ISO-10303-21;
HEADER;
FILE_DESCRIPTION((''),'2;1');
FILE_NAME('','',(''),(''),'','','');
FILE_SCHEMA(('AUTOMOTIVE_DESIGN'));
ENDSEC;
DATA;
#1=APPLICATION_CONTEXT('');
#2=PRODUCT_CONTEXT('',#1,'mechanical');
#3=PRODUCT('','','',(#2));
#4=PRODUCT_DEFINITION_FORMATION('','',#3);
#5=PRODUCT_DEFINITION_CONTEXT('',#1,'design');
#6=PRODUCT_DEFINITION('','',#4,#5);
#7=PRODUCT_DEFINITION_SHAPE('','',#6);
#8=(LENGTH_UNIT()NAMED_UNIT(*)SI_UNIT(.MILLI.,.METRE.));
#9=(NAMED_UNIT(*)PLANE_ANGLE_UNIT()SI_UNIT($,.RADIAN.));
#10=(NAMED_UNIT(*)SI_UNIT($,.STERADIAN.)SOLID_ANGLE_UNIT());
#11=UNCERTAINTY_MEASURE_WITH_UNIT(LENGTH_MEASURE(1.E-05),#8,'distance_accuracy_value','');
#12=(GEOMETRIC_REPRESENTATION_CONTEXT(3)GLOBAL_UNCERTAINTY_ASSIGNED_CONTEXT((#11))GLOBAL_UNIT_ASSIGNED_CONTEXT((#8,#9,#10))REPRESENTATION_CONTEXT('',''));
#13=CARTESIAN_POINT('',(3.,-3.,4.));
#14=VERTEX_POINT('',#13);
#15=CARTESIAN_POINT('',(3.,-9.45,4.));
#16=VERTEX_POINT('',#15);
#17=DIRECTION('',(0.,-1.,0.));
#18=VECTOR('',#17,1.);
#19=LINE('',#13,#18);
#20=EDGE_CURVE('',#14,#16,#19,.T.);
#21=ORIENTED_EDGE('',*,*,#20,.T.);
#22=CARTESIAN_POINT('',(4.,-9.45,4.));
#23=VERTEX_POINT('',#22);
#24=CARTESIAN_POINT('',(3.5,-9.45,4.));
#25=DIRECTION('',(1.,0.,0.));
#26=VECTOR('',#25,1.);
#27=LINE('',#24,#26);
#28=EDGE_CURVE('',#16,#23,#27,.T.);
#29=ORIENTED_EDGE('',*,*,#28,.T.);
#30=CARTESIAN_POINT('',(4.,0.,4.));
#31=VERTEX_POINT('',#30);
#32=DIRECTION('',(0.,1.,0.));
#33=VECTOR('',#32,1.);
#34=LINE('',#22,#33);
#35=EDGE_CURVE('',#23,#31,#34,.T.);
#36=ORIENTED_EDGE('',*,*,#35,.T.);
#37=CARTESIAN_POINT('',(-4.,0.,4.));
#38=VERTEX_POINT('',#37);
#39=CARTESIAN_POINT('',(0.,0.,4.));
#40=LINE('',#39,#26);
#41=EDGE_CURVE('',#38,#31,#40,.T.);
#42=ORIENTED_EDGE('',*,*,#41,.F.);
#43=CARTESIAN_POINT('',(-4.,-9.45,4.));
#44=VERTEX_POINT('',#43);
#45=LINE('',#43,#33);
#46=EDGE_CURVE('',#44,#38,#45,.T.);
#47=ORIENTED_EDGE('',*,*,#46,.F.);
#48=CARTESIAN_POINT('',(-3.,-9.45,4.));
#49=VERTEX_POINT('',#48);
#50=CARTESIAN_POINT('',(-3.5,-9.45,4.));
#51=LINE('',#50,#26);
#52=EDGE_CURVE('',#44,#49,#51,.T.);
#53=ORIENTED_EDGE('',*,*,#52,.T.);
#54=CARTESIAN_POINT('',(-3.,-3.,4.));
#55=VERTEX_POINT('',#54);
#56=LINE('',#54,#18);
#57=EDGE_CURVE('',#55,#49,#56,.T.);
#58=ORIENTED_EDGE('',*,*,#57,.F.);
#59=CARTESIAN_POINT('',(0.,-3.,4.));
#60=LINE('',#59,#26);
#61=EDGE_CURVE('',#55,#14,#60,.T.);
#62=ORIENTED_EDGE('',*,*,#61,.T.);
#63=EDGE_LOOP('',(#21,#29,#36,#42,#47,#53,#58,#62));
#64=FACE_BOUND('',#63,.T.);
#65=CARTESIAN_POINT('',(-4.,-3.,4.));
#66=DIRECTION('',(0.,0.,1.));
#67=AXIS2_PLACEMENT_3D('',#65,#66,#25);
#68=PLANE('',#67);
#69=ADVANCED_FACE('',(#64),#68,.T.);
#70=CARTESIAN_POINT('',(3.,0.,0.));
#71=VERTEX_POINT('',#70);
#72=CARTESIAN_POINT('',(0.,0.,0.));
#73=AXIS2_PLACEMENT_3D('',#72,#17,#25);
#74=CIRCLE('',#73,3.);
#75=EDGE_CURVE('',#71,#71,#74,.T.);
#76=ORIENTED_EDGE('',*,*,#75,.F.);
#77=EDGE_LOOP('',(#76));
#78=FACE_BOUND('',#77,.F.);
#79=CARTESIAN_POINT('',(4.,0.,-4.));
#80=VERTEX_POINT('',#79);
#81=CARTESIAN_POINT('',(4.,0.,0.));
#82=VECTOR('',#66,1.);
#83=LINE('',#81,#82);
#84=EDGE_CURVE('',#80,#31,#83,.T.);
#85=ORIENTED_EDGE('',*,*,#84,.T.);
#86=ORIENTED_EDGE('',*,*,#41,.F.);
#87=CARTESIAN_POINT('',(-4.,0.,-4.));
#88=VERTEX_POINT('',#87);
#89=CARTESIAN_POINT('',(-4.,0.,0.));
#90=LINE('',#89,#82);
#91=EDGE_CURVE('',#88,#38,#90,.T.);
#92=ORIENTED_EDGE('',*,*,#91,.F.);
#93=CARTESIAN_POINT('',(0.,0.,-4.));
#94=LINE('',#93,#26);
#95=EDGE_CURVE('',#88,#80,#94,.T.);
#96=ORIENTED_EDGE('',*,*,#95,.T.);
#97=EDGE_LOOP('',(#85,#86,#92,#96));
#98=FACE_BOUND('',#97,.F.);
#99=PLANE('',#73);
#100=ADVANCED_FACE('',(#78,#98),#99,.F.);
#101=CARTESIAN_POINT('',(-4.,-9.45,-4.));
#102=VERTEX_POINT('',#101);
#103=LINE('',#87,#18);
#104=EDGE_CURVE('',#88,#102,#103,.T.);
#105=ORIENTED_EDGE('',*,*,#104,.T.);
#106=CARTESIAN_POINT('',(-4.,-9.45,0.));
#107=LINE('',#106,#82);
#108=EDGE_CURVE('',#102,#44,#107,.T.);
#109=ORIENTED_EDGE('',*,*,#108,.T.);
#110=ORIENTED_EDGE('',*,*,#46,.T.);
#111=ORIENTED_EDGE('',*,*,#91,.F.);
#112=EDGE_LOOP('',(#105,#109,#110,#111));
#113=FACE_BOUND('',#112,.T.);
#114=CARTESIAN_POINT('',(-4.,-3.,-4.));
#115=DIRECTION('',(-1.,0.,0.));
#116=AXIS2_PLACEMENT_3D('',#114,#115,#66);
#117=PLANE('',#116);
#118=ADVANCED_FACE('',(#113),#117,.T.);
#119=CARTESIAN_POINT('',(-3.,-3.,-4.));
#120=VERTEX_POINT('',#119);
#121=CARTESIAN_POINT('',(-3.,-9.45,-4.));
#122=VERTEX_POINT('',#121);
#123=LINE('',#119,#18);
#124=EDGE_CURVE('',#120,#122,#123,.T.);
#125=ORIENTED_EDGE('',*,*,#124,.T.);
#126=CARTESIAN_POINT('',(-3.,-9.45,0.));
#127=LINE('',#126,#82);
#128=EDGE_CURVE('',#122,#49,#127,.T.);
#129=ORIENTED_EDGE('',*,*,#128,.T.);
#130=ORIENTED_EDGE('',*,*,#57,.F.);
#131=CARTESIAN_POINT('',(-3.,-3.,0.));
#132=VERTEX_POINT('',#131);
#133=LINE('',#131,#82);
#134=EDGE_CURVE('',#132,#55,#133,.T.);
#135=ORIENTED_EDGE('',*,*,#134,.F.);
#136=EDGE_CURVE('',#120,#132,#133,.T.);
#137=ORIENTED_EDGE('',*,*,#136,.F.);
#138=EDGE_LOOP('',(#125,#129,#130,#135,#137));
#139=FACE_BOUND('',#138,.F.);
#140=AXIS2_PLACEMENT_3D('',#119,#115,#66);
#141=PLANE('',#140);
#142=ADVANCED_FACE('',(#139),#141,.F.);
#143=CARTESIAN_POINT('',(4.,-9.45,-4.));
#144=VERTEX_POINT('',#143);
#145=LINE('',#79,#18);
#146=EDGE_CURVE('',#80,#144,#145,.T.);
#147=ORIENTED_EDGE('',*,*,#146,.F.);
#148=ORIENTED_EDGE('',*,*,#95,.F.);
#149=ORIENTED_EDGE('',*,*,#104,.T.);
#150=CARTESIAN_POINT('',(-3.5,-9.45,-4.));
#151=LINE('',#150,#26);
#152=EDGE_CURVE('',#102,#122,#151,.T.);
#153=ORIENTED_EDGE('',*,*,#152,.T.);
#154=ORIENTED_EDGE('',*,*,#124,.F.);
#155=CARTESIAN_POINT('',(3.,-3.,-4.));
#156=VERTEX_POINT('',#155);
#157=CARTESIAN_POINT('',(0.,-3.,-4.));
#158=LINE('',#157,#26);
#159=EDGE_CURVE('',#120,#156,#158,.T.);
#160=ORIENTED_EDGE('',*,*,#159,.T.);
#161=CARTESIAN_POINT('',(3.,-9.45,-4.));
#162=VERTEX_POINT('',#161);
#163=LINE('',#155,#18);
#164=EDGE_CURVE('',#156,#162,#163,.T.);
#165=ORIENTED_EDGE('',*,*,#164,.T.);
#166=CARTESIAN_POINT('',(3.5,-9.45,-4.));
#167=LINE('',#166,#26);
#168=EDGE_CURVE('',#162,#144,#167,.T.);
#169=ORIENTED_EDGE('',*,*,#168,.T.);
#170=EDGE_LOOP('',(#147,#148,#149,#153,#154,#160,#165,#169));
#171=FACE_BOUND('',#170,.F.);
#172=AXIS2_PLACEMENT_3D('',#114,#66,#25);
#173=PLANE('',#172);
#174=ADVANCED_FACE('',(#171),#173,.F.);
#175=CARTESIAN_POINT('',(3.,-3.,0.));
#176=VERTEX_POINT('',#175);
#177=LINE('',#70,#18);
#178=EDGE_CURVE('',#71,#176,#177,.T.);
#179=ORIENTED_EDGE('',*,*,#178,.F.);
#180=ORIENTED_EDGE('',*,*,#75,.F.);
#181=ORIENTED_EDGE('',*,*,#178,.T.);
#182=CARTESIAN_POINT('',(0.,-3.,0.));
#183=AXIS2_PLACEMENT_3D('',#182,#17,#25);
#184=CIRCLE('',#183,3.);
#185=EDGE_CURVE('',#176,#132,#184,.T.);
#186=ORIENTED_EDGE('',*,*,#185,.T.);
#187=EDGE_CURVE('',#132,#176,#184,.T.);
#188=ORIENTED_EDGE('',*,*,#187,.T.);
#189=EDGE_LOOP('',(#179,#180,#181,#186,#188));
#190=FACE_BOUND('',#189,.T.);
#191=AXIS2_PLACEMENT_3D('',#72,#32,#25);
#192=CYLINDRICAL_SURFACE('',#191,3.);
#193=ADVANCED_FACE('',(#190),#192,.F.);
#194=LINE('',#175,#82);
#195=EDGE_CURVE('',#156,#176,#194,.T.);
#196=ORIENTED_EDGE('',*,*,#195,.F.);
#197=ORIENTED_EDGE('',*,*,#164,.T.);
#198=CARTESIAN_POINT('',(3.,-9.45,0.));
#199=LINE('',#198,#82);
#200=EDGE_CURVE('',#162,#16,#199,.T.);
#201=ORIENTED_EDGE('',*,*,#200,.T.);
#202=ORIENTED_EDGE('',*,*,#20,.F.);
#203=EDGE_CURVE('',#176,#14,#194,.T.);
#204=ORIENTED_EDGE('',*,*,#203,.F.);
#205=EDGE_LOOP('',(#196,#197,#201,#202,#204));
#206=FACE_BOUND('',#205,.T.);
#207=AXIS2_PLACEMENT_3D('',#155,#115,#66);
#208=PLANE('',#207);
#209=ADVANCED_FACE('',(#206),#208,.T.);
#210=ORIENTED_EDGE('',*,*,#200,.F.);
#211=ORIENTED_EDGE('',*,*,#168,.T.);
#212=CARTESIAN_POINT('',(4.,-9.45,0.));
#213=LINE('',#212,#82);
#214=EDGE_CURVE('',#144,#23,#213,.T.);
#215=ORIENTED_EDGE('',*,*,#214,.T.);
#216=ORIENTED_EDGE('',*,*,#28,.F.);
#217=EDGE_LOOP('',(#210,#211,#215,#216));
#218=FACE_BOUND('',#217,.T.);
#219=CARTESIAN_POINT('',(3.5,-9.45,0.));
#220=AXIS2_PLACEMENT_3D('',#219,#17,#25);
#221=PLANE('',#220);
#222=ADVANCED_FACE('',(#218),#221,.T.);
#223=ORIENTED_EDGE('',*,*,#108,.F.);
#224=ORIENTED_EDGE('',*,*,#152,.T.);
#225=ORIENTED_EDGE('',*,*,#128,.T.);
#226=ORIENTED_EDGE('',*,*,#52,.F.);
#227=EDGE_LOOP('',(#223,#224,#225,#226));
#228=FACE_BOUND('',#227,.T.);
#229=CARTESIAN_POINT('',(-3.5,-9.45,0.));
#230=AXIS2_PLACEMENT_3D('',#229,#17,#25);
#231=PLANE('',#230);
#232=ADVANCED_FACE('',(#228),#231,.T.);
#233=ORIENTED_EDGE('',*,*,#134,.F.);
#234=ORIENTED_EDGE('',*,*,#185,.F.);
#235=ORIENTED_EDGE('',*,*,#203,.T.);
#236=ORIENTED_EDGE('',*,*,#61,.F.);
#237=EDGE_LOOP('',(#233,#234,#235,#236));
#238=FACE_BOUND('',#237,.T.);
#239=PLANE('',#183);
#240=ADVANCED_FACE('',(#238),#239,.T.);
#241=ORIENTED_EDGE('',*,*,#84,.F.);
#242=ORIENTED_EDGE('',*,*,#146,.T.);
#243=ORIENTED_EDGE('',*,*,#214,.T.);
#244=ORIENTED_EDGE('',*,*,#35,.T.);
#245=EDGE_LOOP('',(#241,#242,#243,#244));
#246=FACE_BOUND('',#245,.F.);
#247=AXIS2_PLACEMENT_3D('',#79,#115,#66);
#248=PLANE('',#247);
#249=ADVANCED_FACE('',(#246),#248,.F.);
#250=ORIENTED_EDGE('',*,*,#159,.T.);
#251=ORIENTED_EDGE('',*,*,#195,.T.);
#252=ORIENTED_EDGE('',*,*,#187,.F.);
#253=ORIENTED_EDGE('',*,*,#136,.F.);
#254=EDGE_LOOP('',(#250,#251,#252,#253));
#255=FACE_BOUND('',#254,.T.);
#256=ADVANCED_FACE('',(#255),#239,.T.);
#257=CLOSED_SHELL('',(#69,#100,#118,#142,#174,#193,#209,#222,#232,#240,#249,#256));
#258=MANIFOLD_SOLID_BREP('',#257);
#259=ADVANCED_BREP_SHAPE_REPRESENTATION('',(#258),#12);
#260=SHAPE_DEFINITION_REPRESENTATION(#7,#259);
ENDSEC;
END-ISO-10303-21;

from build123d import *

# Parameters (mm, degrees)
F0_W     = 8
F0_H     = 8
F0_R     = 3
F1_DEPTH = 3
F2_W     = 1
F2_H     = 8
F3_DEPTH = 6.45


with BuildPart() as f1:
    # F0 (on Front) → F1 (new body)
    with BuildSketch(Plane.XZ):
        Rectangle(F0_W, F0_H)
        Circle(F0_R, mode=Mode.SUBTRACT)
    extrude(amount=F1_DEPTH)

    # F2 (on face) → F3 (join)
    with BuildSketch(Plane.XZ.offset(3)):
        with Locations((-3.5, 0)):
            Rectangle(F2_W, F2_H)
        with Locations((3.5, 0)):
            Rectangle(F2_W, F2_H)
    extrude(amount=F3_DEPTH)


solid = f1.part
